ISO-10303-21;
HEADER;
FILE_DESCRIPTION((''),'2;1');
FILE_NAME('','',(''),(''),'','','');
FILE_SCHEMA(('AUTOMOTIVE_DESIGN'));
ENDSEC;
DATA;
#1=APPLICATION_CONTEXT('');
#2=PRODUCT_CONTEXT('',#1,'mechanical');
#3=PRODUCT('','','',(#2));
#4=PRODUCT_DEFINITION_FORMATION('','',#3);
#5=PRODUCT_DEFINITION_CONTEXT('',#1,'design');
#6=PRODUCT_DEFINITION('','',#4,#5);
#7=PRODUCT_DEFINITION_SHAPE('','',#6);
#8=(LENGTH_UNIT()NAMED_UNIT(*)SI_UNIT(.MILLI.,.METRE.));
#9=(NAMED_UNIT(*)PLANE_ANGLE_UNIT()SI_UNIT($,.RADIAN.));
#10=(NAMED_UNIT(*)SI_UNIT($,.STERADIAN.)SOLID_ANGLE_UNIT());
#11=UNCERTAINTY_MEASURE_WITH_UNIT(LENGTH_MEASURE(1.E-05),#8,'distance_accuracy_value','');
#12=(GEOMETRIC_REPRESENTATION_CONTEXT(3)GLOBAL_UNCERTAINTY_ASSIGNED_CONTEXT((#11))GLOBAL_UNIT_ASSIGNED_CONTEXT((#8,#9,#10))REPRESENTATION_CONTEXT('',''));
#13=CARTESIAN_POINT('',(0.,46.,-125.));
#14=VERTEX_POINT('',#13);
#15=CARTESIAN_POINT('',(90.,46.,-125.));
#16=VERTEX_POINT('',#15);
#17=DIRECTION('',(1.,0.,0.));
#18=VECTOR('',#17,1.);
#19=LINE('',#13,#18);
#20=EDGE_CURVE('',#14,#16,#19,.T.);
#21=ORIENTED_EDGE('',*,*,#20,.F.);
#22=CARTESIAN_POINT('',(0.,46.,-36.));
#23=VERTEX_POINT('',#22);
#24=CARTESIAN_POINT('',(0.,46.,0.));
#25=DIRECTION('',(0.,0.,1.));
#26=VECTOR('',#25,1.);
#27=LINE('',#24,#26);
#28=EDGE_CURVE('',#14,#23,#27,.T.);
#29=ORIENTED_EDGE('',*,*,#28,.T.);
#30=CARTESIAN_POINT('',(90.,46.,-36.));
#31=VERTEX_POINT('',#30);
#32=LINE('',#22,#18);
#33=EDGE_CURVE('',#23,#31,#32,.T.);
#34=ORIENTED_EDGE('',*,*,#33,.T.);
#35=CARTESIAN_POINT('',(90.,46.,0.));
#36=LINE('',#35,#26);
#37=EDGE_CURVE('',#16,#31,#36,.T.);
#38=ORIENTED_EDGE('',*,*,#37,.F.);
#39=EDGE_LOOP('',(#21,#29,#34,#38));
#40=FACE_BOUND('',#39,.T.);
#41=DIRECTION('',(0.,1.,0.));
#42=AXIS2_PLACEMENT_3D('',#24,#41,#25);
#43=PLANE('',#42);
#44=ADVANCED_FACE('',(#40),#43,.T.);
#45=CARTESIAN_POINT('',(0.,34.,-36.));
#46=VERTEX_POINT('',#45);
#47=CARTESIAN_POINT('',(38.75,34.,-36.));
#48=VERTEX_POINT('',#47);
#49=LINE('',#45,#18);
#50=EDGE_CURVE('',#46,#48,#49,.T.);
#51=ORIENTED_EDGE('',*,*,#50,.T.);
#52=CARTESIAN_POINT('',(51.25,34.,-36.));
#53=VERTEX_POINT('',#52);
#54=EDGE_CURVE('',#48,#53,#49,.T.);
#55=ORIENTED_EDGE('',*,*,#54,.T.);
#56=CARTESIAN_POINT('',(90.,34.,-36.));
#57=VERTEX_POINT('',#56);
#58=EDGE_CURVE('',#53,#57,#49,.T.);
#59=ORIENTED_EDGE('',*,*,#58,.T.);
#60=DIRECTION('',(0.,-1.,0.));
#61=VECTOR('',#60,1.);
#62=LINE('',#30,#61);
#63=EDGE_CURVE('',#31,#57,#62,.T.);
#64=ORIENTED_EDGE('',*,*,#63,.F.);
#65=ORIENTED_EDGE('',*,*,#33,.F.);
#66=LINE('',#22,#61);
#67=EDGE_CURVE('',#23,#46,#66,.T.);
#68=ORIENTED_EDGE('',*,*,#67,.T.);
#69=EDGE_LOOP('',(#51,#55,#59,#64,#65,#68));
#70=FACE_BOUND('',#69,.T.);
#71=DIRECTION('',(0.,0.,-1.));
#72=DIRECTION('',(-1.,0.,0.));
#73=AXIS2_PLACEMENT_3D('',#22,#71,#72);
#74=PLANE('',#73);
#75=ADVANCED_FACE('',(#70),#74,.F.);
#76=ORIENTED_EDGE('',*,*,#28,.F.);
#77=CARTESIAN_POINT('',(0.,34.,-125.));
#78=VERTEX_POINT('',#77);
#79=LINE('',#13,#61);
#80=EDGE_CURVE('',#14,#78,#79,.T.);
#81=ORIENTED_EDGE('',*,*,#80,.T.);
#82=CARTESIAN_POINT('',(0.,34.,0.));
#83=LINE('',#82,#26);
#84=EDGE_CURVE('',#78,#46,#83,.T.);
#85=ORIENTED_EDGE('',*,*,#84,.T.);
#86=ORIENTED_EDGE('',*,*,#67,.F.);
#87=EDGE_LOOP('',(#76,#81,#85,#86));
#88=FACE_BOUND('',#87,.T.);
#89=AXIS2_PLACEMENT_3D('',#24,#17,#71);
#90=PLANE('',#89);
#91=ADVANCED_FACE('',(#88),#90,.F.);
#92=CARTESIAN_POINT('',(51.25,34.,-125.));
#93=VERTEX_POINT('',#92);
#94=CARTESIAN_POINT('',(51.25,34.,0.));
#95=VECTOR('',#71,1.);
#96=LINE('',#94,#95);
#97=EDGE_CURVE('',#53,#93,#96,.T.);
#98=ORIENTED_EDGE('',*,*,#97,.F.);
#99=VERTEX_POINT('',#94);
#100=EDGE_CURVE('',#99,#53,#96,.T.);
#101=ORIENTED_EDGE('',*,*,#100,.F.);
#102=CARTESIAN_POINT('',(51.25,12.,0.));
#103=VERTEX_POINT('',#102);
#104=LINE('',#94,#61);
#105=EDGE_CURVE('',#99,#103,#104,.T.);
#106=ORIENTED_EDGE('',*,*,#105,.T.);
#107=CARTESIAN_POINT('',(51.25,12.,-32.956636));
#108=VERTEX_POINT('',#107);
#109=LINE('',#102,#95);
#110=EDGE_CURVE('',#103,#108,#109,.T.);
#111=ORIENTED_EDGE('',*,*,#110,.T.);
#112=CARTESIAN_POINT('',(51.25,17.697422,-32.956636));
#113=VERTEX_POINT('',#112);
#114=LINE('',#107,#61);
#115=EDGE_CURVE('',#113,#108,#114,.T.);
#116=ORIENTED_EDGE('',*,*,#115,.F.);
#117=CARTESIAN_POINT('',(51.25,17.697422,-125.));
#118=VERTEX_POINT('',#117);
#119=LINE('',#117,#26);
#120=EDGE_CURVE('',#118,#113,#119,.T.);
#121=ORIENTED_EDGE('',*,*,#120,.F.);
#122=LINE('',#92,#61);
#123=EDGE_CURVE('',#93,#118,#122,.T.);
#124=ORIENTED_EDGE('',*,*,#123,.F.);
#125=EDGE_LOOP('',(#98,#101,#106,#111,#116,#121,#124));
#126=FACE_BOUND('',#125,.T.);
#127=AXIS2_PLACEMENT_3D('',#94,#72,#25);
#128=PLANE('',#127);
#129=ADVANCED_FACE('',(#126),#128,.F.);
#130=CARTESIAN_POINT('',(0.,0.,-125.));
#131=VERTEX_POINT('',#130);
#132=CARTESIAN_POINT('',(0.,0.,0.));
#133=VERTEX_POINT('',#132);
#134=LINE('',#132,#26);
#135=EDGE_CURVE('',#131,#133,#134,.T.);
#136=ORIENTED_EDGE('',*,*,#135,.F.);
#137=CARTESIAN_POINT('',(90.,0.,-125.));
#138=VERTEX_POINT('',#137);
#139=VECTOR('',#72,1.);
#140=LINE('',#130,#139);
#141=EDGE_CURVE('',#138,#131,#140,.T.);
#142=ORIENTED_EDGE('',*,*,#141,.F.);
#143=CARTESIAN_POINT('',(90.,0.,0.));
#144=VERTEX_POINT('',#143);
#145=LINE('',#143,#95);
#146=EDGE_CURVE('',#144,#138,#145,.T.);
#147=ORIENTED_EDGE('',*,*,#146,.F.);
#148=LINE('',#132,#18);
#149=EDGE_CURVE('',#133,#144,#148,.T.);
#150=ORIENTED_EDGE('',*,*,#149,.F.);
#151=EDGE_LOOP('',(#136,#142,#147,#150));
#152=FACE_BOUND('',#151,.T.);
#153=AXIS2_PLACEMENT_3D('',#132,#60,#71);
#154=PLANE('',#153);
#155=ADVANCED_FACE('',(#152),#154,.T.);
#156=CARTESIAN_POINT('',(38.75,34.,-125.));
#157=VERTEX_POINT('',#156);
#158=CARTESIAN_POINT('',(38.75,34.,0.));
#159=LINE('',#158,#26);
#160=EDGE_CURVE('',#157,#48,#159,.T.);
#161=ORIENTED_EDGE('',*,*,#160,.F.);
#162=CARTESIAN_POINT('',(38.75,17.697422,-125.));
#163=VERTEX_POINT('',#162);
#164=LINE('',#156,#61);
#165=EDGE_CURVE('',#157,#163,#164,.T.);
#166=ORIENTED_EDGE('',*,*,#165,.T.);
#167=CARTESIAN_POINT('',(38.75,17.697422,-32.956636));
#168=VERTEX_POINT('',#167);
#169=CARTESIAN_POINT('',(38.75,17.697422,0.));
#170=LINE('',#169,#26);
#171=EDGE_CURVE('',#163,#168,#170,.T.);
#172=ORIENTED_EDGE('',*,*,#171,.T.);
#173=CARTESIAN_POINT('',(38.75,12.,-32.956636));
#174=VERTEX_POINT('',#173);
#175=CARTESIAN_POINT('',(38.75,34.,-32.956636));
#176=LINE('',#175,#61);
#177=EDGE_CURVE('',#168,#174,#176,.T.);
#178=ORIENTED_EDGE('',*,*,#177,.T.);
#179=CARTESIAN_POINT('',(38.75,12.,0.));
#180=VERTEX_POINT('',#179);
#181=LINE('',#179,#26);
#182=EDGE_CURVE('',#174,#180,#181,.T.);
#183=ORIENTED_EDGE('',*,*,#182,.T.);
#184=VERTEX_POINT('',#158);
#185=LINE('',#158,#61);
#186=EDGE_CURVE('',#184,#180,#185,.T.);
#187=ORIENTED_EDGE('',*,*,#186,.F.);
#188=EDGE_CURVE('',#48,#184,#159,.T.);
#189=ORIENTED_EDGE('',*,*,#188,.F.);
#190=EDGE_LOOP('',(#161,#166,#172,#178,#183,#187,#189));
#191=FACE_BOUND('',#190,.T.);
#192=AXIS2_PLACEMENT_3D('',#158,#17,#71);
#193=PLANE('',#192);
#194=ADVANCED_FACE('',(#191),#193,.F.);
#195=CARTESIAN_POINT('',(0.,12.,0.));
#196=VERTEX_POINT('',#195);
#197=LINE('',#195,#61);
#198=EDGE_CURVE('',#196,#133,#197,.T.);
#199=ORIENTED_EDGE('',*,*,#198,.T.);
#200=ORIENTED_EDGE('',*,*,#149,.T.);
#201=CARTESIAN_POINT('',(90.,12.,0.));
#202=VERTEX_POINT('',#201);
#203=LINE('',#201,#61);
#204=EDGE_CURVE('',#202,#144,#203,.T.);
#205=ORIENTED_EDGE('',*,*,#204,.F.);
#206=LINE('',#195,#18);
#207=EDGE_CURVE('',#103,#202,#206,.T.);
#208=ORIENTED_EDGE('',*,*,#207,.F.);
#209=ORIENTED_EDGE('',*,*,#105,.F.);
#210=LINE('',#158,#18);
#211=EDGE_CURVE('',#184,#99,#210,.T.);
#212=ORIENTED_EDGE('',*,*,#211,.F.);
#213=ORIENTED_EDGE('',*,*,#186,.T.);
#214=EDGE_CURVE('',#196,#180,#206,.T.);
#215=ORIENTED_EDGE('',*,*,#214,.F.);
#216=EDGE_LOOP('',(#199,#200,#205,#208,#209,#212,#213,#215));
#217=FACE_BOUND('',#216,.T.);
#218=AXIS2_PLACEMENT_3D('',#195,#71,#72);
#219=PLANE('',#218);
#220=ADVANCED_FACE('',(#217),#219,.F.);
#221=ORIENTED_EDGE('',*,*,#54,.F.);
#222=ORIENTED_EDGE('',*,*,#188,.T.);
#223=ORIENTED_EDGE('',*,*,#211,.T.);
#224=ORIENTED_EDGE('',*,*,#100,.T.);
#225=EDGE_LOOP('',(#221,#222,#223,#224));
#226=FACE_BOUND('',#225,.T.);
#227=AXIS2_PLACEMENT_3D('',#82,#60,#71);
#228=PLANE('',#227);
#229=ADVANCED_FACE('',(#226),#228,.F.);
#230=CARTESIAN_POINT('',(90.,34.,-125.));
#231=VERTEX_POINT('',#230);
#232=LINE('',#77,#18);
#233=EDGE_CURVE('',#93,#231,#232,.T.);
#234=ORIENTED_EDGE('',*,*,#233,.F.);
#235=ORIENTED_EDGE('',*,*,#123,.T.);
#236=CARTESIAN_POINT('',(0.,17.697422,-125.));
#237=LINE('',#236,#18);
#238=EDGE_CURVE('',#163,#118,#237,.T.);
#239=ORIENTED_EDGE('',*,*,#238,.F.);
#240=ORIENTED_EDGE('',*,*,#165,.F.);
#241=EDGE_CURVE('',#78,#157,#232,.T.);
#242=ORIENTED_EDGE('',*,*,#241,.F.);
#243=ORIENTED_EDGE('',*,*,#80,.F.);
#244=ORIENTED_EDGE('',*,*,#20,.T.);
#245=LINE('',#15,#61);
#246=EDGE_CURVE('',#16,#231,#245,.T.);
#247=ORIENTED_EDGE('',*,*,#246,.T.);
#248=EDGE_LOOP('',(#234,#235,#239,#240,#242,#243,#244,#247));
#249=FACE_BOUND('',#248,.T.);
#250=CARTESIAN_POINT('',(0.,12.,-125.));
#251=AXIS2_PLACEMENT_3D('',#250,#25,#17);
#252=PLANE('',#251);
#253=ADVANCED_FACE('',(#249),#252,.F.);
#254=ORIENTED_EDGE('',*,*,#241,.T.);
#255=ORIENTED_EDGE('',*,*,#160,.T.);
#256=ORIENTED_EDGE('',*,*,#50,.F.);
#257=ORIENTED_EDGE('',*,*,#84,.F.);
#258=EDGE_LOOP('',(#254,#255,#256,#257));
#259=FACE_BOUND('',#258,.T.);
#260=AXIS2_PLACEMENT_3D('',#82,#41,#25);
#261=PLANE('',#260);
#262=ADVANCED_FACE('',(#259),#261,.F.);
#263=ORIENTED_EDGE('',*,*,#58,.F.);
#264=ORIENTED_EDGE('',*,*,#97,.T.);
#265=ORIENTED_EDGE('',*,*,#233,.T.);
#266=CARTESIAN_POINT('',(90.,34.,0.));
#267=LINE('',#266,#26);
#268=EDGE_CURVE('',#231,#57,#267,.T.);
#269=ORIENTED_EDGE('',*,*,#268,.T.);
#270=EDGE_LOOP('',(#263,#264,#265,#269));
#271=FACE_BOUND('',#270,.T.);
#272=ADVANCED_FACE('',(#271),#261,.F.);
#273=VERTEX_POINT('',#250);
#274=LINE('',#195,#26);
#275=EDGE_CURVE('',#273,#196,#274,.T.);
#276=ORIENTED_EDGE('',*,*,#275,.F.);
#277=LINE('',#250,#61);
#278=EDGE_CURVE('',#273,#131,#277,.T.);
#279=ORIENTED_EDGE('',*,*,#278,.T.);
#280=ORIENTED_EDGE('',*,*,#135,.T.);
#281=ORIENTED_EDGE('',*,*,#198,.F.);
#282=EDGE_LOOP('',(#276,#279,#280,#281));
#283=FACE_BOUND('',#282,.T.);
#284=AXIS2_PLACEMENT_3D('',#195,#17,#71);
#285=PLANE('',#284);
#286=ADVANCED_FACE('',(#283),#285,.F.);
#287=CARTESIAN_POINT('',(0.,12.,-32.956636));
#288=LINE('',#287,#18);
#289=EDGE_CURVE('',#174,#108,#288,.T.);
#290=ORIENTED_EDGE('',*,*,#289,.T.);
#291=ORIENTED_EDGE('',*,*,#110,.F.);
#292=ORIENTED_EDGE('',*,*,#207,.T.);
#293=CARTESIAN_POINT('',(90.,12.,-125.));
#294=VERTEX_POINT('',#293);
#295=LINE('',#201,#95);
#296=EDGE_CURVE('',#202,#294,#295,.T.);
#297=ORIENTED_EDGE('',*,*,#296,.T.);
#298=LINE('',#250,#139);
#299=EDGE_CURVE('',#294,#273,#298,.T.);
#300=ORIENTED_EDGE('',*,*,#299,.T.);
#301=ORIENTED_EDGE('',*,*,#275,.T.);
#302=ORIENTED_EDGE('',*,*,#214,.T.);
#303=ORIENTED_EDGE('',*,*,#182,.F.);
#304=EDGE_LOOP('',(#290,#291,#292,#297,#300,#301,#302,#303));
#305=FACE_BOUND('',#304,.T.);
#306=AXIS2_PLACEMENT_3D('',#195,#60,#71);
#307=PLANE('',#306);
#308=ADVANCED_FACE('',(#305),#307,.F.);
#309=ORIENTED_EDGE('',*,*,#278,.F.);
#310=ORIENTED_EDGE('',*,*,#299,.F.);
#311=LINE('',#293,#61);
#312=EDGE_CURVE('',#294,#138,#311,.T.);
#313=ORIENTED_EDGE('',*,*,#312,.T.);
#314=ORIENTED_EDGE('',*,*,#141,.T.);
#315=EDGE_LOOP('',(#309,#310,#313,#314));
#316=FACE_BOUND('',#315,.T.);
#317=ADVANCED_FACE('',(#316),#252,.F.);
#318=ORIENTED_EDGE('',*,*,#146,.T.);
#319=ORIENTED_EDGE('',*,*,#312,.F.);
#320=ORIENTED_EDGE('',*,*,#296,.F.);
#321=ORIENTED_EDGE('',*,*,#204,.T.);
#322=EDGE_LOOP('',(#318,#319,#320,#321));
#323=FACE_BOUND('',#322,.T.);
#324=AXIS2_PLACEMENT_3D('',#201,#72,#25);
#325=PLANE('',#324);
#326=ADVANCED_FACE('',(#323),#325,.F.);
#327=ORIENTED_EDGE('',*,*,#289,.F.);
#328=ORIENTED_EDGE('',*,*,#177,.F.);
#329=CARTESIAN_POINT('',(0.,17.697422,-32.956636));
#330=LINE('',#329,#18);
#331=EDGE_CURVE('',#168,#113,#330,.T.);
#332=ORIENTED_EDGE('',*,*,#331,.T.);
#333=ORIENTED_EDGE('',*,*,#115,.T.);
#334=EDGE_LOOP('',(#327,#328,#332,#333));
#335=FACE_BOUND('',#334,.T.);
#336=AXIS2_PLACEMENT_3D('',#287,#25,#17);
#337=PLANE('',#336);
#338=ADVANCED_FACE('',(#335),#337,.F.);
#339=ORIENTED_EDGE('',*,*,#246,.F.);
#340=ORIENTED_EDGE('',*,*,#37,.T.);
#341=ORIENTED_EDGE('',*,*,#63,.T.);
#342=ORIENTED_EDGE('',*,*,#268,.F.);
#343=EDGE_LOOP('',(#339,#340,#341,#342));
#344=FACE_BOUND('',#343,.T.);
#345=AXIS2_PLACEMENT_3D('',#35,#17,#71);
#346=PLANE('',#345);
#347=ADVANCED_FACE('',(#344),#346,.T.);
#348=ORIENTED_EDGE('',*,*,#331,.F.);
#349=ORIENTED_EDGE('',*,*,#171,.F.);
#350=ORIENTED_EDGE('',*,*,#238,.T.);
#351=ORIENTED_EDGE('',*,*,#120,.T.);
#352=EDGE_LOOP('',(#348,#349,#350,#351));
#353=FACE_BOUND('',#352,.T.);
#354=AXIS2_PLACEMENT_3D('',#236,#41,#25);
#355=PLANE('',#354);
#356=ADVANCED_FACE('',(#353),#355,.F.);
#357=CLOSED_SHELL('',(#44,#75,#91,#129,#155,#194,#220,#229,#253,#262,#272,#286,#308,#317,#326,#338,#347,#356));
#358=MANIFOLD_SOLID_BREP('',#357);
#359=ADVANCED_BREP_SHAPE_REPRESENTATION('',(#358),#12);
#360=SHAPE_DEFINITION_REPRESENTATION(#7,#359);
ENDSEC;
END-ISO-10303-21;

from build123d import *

# Parameters (mm, degrees)
SKETCH1_W           = 90
SKETCH1_H           = 125
BOSS_EXTRUDE1_DEPTH = 12
SKETCH2_W           = 12.5
SKETCH2_H           = 125
BOSS_EXTRUDE2_DEPTH = 22
SKETCH3_W           = 38.75
SKETCH3_H           = 89
SKETCH3_W_2         = 6.25
BOSS_EXTRUDE3_DEPTH = 12
SKETCH4_W           = 92.043364018
SKETCH4_H           = 5.697421696
CUT_EXTRUDE1_DEPTH  = 143.714969432


with BuildPart() as part:
    # Sketch1 → Boss-Extrude1 (new body)
    with BuildSketch(Plane(origin=(0, 0, 0), x_dir=(1, 0, 0), z_dir=(0, 1, 0))):
        with Locations((45, 62.5)):
            Rectangle(SKETCH1_W, SKETCH1_H)
    extrude(amount=BOSS_EXTRUDE1_DEPTH)

    # Sketch2 → Boss-Extrude2 (add)
    with BuildSketch(Plane(origin=(0, 12, 0), x_dir=(1, 0, 0), z_dir=(0, 1, 0))):
        with Locations((45, 62.5)):
            Rectangle(SKETCH2_W, SKETCH2_H)
    extrude(amount=BOSS_EXTRUDE2_DEPTH)

    # Sketch3 → Boss-Extrude3 (add)
    with BuildSketch(Plane(origin=(0, 34, 0), x_dir=(1, 0, 0), z_dir=(0, 1, 0))):
        with Locations((70.625, 80.5)):
            Rectangle(SKETCH3_W, SKETCH3_H)
        with Locations((19.375, 80.5)):
            Rectangle(SKETCH3_W, SKETCH3_H)
        with Locations((41.875, 80.5)):
            Rectangle(SKETCH3_W_2, SKETCH3_H)
        with Locations((48.125, 80.5)):
            Rectangle(SKETCH3_W_2, SKETCH3_H)
    extrude(amount=BOSS_EXTRUDE3_DEPTH)

    # Sketch4 → Cut-Extrude1 (cut, through all)
    with BuildSketch(Plane(origin=(51.25, 0, 0), x_dir=(0, 0, -1), z_dir=(1, 0, 0))):
        with Locations((78.978317991, 14.848710848)):
            Rectangle(SKETCH4_W, SKETCH4_H)
    extrude(amount=-CUT_EXTRUDE1_DEPTH, mode=Mode.SUBTRACT)


solid = part.part
